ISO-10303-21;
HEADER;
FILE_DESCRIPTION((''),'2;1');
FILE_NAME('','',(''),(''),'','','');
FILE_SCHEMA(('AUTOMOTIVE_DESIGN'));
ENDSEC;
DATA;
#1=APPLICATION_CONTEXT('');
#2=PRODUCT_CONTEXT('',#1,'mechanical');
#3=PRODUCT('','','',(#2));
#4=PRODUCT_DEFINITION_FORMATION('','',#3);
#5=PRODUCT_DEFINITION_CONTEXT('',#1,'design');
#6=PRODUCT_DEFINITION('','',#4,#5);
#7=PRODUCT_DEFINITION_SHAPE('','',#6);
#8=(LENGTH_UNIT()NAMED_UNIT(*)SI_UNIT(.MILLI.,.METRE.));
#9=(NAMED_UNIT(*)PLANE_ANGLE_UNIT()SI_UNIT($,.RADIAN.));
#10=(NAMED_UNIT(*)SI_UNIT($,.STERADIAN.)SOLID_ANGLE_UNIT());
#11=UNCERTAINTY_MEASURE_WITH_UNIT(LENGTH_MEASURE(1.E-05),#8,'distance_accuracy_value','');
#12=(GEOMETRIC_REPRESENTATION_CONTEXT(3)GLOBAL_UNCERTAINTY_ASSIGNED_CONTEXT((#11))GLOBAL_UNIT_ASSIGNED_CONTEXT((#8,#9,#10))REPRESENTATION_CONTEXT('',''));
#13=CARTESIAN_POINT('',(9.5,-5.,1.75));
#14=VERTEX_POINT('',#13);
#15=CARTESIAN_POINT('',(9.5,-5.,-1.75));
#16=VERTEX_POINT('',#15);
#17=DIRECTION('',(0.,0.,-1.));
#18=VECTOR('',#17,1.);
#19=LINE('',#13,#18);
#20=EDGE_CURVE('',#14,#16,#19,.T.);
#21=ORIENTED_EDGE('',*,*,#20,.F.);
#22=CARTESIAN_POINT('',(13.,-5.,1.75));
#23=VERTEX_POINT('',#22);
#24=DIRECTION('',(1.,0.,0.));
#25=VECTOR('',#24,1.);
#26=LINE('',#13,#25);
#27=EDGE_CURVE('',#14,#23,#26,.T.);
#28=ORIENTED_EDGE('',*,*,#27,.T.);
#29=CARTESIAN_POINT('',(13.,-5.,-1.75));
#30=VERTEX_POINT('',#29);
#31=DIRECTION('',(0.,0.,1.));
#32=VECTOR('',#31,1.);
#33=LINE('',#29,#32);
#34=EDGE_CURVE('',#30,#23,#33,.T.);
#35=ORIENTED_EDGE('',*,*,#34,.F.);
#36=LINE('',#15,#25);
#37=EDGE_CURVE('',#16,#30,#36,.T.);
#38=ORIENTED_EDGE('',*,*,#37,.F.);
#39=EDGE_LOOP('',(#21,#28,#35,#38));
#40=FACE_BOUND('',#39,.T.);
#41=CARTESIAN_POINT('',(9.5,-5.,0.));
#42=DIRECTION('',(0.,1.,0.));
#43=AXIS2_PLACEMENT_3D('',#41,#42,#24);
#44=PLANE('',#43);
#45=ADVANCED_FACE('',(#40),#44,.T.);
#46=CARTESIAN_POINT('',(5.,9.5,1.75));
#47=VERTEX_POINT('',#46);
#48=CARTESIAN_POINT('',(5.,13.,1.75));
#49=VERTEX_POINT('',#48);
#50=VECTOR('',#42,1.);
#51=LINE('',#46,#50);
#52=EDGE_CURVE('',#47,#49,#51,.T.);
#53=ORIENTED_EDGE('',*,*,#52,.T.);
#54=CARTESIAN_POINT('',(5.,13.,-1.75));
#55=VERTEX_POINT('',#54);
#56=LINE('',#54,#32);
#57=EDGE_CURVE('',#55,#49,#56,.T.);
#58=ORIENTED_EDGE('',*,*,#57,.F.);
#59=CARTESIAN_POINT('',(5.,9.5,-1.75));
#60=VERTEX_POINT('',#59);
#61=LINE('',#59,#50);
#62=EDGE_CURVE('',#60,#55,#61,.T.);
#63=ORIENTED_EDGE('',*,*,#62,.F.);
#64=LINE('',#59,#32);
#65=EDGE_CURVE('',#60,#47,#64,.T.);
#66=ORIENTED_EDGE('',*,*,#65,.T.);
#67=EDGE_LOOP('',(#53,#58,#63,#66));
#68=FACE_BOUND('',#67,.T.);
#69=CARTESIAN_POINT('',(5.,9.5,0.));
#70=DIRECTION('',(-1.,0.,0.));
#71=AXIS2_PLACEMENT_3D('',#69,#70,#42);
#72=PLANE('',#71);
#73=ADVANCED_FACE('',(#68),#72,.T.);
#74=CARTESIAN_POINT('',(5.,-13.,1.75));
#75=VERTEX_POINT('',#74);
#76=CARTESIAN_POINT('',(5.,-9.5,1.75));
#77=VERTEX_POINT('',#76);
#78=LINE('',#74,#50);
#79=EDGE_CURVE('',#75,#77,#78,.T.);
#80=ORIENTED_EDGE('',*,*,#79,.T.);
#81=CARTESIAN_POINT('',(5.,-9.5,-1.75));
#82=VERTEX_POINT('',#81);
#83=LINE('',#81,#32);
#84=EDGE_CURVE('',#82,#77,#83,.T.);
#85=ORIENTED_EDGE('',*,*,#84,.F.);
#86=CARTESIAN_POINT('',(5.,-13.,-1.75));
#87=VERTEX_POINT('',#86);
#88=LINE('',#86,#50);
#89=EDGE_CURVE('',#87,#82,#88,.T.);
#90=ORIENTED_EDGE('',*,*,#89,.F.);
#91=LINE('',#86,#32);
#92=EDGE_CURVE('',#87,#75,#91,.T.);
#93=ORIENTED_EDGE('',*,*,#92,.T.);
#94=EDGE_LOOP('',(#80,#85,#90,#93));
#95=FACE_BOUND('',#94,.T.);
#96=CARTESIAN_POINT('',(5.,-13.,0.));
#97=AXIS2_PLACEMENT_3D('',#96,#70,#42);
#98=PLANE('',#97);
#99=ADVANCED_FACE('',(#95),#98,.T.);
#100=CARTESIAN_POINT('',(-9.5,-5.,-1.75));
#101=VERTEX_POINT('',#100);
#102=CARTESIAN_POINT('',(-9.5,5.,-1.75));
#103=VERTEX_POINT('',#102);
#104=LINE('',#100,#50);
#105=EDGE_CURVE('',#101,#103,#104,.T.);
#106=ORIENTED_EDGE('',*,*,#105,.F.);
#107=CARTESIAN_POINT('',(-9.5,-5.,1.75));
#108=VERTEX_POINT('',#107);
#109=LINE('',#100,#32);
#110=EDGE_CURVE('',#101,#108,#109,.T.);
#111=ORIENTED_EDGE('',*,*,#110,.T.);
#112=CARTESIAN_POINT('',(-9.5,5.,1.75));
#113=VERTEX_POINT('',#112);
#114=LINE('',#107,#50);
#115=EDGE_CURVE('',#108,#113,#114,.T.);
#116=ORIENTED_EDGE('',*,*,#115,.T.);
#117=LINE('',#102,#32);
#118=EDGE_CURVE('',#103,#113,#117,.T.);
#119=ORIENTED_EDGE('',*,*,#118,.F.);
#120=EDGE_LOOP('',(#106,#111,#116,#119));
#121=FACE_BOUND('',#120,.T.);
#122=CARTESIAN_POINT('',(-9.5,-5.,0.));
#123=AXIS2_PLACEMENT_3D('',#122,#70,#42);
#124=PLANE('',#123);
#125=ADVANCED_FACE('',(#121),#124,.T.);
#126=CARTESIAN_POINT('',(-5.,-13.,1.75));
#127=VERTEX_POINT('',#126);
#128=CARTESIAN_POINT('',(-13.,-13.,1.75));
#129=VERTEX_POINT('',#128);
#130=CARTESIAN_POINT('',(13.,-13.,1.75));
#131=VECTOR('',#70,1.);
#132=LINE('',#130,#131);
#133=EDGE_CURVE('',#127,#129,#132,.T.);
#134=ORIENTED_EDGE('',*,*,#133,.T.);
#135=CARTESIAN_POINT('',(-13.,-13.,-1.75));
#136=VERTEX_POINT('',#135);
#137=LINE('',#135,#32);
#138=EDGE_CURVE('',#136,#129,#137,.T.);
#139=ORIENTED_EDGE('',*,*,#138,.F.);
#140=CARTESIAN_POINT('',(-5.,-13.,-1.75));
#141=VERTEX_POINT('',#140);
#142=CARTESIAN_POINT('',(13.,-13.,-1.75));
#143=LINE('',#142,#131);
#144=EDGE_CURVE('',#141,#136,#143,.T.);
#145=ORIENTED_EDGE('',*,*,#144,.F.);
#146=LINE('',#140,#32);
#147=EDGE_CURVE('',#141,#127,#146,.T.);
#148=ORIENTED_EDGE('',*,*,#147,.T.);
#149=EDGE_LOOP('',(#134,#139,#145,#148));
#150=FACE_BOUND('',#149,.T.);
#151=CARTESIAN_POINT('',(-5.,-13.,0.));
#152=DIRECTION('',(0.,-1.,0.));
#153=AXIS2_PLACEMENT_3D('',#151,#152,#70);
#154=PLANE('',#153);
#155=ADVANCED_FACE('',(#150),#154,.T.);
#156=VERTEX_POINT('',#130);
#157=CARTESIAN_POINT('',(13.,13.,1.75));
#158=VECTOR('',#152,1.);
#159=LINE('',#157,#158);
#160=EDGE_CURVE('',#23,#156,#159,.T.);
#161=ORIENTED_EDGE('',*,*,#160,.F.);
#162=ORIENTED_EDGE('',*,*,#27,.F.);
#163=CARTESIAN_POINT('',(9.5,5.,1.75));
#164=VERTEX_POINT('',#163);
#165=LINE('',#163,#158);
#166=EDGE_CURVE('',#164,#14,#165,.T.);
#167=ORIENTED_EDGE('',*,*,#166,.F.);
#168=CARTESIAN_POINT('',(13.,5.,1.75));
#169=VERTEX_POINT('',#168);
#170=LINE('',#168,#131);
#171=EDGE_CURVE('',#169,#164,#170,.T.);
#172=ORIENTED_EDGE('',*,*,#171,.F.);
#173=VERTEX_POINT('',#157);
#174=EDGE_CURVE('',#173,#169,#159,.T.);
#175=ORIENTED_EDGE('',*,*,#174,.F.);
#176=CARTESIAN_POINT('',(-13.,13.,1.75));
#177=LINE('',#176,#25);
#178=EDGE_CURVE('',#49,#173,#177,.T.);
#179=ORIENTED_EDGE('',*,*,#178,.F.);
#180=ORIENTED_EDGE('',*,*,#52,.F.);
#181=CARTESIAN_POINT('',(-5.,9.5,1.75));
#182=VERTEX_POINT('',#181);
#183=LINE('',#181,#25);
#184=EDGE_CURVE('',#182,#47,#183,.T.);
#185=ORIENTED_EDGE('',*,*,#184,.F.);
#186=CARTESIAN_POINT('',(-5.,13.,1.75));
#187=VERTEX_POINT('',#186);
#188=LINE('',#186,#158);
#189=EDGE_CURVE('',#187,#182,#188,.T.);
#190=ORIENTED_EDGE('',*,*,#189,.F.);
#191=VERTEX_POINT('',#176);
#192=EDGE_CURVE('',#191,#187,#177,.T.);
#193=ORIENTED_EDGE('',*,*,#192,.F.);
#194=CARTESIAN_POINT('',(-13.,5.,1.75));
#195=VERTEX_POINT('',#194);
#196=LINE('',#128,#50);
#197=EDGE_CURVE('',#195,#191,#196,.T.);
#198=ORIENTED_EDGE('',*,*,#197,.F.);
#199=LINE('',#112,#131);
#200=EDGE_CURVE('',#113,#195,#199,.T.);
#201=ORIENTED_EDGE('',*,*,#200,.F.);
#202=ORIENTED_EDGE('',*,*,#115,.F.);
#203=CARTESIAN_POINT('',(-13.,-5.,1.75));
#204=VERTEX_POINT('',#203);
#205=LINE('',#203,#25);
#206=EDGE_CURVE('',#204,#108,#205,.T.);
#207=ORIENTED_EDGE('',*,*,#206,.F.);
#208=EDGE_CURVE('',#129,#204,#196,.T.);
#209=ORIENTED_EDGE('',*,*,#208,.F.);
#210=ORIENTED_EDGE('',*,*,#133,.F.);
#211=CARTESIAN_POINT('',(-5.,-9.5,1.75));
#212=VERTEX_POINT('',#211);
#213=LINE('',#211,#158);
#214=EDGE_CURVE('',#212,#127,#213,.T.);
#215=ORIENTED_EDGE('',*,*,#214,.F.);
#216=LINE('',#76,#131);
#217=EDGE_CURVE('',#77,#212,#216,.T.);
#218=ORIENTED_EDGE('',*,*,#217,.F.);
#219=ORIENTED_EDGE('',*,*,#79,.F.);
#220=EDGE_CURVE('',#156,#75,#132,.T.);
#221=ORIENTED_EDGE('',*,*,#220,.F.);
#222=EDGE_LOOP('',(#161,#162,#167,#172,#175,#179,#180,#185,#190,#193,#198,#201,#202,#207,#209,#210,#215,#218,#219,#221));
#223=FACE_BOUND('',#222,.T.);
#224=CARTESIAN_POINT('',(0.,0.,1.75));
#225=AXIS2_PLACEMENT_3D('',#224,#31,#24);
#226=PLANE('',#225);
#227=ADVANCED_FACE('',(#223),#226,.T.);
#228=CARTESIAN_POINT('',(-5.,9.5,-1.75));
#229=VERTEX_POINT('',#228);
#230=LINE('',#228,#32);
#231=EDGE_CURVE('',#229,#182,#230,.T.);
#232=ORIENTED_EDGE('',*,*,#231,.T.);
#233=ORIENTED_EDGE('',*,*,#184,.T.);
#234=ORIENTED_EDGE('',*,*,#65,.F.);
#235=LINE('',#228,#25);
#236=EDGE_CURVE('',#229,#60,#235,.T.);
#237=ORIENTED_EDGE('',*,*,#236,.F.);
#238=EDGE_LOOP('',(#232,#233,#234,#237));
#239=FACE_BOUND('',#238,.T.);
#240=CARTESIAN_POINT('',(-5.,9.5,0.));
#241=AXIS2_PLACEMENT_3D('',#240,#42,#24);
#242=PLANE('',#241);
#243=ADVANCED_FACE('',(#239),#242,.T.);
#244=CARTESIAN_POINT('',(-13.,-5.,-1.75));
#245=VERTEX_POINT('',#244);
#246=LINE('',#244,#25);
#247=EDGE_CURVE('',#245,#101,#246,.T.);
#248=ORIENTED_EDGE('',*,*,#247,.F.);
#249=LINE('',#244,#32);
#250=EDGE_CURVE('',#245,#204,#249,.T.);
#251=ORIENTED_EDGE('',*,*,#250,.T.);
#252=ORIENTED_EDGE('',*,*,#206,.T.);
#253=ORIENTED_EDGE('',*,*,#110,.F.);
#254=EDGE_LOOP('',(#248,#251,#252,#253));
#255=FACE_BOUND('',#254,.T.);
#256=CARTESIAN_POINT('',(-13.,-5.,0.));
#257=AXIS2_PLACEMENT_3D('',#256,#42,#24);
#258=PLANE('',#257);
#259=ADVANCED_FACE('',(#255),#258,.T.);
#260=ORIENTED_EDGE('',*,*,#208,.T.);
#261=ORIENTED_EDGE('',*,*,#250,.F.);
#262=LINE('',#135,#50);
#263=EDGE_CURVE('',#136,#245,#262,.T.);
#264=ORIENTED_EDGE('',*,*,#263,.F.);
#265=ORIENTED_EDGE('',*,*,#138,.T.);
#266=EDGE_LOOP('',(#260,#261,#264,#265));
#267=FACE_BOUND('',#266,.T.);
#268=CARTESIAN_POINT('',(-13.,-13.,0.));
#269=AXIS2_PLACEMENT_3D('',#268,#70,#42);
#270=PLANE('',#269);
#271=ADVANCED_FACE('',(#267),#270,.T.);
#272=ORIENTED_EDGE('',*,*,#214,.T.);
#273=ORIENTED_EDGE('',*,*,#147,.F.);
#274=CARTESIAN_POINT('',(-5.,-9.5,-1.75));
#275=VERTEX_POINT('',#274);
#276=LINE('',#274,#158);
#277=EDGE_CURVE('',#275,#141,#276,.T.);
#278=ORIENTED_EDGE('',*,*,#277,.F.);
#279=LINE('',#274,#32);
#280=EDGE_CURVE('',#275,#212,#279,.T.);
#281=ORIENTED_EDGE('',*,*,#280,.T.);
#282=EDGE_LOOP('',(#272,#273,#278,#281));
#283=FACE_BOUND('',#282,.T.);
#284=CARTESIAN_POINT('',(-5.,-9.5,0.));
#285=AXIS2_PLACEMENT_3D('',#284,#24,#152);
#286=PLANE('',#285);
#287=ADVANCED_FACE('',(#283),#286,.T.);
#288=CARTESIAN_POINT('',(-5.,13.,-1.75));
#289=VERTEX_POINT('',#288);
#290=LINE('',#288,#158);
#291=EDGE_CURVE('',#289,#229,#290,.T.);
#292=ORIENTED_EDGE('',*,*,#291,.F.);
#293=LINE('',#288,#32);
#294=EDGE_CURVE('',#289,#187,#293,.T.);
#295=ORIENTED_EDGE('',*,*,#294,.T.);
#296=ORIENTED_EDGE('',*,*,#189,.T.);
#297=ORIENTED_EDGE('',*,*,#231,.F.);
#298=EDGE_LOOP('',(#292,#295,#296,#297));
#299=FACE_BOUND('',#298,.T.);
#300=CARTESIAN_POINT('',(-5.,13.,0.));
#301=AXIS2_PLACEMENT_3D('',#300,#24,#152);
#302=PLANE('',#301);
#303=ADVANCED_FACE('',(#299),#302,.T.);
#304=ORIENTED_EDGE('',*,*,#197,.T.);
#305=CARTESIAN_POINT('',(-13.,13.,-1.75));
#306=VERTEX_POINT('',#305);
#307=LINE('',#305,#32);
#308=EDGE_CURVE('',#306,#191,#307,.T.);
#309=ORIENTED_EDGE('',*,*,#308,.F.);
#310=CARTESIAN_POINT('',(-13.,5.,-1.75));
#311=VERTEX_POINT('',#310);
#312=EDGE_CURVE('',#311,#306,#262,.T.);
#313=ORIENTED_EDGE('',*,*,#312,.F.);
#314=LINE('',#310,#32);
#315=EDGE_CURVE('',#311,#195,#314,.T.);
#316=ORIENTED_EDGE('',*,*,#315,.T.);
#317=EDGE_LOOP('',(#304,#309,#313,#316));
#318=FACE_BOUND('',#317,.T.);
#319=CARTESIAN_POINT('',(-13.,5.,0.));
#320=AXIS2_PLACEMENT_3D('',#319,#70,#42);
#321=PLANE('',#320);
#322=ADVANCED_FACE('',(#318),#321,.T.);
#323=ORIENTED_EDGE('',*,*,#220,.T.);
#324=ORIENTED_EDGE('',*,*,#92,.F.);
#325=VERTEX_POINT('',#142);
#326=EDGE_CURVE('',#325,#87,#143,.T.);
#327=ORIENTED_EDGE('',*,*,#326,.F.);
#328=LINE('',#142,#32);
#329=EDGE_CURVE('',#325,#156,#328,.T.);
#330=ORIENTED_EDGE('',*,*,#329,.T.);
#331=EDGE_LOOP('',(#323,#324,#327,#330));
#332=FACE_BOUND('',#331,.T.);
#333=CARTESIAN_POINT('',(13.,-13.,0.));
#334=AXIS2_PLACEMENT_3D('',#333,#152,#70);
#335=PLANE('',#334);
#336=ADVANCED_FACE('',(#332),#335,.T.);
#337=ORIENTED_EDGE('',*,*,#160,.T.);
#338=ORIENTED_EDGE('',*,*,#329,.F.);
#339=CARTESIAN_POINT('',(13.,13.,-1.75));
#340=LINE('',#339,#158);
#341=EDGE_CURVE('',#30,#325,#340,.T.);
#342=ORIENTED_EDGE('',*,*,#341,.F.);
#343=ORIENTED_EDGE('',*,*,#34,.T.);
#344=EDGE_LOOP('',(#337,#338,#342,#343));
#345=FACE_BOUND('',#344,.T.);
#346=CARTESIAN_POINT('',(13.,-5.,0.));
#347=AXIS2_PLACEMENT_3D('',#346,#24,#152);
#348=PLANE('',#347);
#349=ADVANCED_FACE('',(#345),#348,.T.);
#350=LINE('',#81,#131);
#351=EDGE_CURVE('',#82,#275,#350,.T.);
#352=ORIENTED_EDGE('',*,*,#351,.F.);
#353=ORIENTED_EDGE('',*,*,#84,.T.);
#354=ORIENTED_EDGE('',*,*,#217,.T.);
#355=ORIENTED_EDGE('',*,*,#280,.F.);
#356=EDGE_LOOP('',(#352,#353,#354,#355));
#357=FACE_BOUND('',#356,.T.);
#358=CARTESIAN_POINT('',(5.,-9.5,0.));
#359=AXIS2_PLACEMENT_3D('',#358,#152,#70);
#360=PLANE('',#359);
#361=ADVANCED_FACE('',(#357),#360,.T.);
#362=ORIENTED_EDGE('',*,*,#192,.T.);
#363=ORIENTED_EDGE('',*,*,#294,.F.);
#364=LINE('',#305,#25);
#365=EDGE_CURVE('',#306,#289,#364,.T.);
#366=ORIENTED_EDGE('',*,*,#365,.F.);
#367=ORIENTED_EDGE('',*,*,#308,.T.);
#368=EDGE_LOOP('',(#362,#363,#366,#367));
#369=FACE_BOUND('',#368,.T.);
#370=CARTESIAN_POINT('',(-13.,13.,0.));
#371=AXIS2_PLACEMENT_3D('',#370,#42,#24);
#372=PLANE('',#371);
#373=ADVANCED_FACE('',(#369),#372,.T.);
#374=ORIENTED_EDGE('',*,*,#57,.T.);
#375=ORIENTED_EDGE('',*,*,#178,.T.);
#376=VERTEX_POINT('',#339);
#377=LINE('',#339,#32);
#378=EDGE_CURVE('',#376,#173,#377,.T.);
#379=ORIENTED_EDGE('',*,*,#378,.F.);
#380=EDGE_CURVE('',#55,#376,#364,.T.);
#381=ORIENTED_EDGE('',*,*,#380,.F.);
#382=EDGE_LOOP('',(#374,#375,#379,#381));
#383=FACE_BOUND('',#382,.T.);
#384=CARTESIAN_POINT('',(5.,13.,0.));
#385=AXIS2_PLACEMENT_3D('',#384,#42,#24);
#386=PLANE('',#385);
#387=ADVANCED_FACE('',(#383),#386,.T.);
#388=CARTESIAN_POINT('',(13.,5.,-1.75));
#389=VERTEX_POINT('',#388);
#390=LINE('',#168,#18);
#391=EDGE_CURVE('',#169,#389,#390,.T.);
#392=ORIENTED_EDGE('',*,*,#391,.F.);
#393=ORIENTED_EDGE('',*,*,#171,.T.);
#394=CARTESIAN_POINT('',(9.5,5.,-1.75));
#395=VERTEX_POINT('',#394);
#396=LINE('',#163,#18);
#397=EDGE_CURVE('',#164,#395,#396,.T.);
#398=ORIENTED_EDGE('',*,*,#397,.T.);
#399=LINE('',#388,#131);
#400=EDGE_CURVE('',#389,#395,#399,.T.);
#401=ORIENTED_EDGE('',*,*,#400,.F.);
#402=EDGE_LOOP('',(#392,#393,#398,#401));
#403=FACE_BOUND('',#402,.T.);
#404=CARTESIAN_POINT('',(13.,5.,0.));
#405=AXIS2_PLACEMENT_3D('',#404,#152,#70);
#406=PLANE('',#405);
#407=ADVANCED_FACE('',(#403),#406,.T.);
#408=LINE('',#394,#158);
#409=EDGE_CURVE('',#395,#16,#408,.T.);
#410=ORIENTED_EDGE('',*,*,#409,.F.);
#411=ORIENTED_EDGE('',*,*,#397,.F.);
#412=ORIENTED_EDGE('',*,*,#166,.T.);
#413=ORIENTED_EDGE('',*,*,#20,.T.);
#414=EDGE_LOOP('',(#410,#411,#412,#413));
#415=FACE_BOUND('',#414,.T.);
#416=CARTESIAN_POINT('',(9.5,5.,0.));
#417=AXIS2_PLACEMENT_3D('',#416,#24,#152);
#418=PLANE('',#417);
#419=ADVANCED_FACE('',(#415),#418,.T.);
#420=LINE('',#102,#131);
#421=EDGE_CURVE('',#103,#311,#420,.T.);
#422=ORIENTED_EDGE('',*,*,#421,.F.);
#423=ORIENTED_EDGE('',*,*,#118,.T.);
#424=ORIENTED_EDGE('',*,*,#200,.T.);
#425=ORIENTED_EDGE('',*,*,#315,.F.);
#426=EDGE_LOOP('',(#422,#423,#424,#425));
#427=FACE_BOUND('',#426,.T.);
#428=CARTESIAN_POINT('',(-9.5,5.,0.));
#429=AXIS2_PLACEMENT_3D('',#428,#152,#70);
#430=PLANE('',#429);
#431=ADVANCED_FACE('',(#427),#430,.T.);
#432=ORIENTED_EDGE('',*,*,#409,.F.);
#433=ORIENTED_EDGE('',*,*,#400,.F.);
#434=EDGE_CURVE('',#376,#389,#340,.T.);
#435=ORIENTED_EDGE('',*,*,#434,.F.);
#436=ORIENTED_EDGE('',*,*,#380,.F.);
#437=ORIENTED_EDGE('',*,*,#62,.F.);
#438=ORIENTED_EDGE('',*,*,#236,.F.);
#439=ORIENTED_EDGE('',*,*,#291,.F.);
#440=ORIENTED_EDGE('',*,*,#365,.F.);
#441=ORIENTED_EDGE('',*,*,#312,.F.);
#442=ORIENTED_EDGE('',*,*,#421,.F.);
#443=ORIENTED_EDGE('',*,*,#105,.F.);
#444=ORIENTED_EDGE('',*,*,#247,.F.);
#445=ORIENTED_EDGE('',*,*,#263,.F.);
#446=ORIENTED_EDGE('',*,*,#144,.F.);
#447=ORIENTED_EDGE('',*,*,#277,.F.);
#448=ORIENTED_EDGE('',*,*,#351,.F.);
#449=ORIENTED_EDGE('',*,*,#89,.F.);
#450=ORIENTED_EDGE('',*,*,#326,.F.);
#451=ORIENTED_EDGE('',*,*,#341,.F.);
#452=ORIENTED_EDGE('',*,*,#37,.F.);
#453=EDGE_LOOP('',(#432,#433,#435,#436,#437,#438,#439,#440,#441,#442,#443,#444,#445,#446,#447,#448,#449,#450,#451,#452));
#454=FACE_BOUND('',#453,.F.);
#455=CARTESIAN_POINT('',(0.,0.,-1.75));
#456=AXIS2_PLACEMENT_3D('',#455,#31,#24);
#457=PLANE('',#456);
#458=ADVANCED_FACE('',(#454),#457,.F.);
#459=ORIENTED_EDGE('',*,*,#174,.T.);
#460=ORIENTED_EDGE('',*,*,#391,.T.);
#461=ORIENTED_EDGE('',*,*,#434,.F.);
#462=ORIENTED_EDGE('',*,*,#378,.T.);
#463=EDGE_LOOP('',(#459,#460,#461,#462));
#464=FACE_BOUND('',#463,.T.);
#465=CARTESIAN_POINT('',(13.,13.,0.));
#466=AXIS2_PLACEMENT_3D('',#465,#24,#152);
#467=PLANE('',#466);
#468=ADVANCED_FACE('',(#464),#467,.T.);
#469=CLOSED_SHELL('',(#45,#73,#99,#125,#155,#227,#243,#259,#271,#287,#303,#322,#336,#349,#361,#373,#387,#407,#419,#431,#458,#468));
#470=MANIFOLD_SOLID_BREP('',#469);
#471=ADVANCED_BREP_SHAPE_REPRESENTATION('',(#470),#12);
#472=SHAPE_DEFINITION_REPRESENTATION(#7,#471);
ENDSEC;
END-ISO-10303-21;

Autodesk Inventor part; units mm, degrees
ref_plane "YZ Plane" through (0, 0, 0) normal (1, 0, 0) x (0, 1, 0)
ref_plane "XZ Plane" through (0, 0, 0) normal (0, 1, 0) x (-1, 0, 0)
ref_plane "XY Plane" through (0, 0, 0) normal (0, 0, 1) x (1, 0, 0)
sketch "Sketch1" plane through (0, 0, 0) normal (0, 0, 1) x (1, 0, 0)
  circle A0 centre (0, 0) radius 6
  line L0 (-13, 13) -> (13, 13)
  line L1 (13, 13) -> (13, -13)
  line L2 (13, -13) -> (-13, -13)
  line L3 (-13, -13) -> (-13, 13)
  line L4 (0, 0) -> (13, 13)
  line L5 (6.5, 6.5) -> (13, 13)
  circle A1 centre (9.75, 9.75) radius 0.5
  line L6 (0, 0) -> (-13, 13)
  line L7 (-6.5, 6.5) -> (-13, 13)
  circle A2 centre (-9.75, 9.75) radius 0.5
  line L8 (0, 0) -> (-13, -13)
  line L9 (-6.5, -6.5) -> (-13, -13)
  circle A3 centre (-9.75, -9.75) radius 0.5
  line L10 (0, 0) -> (13, -13)
  line L11 (6.5, -6.5) -> (13, -13)
  circle A4 centre (9.75, -9.75) radius 0.5
  line L12 (-5, -13) -> (5, -13)
  line L13 (5, -13) -> (5, -9.5)
  line L14 (5, -9.5) -> (-5, -9.5)
  line L15 (-5, -9.5) -> (-5, -13)
  line L16 (13, 5) -> (9.5, 5)
  line L17 (9.5, 5) -> (9.5, -5)
  line L18 (9.5, -5) -> (13, -5)
  line L19 (-5, 13) -> (-5, 9.5)
  line L20 (-5, 9.5) -> (5, 9.5)
  line L21 (5, 9.5) -> (5, 13)
  line L22 (-13, -5) -> (-9.5, -5)
  line L23 (-9.5, -5) -> (-9.5, 5)
  line L24 (-9.5, 5) -> (-13, 5)
  point P0 (0, 13)
  point P1 (13, 0)
  point P2 (0, -9.5)
  point P3 (0, -13)
  point P4 (9.5, 0)
  point P5 (0, 9.5)
  point P6 (-9.5, 0)
  dimension "d4" = 12
  dimension "d5" = 26
  dimension "d6" = 26
  dimension "d7" = 1
  dimension "d8" = 360
  dimension "d9" = 10
  dimension "d10" = 3.5
  dimension "d11" = 360
extrude "Extrusion1" add sketch "Sketch1" along normal mid plane 3.5 contours A0 L10 L4 | A0 L4 A1 L1 L16 L17 L18 L10 A4 | L4 L6 A0 | A0 L6 A2 L0 L19 L20 L21 L4 A1 | L10 A4 L2 L13 L14 L15 L8 A3 A0 | A0 L8 L10 | L6 L8 A0 | A0 L8 A3 L3 L22 L23 L24 L6 A2 | A1 L4 | L4 A1 | A4 L10 | L10 A4 | A2 L6 | L6 A2 | A3 L8 | L8 A3
equation "\"d6\" = d5"
properties part number "Spodi Spodnji"
